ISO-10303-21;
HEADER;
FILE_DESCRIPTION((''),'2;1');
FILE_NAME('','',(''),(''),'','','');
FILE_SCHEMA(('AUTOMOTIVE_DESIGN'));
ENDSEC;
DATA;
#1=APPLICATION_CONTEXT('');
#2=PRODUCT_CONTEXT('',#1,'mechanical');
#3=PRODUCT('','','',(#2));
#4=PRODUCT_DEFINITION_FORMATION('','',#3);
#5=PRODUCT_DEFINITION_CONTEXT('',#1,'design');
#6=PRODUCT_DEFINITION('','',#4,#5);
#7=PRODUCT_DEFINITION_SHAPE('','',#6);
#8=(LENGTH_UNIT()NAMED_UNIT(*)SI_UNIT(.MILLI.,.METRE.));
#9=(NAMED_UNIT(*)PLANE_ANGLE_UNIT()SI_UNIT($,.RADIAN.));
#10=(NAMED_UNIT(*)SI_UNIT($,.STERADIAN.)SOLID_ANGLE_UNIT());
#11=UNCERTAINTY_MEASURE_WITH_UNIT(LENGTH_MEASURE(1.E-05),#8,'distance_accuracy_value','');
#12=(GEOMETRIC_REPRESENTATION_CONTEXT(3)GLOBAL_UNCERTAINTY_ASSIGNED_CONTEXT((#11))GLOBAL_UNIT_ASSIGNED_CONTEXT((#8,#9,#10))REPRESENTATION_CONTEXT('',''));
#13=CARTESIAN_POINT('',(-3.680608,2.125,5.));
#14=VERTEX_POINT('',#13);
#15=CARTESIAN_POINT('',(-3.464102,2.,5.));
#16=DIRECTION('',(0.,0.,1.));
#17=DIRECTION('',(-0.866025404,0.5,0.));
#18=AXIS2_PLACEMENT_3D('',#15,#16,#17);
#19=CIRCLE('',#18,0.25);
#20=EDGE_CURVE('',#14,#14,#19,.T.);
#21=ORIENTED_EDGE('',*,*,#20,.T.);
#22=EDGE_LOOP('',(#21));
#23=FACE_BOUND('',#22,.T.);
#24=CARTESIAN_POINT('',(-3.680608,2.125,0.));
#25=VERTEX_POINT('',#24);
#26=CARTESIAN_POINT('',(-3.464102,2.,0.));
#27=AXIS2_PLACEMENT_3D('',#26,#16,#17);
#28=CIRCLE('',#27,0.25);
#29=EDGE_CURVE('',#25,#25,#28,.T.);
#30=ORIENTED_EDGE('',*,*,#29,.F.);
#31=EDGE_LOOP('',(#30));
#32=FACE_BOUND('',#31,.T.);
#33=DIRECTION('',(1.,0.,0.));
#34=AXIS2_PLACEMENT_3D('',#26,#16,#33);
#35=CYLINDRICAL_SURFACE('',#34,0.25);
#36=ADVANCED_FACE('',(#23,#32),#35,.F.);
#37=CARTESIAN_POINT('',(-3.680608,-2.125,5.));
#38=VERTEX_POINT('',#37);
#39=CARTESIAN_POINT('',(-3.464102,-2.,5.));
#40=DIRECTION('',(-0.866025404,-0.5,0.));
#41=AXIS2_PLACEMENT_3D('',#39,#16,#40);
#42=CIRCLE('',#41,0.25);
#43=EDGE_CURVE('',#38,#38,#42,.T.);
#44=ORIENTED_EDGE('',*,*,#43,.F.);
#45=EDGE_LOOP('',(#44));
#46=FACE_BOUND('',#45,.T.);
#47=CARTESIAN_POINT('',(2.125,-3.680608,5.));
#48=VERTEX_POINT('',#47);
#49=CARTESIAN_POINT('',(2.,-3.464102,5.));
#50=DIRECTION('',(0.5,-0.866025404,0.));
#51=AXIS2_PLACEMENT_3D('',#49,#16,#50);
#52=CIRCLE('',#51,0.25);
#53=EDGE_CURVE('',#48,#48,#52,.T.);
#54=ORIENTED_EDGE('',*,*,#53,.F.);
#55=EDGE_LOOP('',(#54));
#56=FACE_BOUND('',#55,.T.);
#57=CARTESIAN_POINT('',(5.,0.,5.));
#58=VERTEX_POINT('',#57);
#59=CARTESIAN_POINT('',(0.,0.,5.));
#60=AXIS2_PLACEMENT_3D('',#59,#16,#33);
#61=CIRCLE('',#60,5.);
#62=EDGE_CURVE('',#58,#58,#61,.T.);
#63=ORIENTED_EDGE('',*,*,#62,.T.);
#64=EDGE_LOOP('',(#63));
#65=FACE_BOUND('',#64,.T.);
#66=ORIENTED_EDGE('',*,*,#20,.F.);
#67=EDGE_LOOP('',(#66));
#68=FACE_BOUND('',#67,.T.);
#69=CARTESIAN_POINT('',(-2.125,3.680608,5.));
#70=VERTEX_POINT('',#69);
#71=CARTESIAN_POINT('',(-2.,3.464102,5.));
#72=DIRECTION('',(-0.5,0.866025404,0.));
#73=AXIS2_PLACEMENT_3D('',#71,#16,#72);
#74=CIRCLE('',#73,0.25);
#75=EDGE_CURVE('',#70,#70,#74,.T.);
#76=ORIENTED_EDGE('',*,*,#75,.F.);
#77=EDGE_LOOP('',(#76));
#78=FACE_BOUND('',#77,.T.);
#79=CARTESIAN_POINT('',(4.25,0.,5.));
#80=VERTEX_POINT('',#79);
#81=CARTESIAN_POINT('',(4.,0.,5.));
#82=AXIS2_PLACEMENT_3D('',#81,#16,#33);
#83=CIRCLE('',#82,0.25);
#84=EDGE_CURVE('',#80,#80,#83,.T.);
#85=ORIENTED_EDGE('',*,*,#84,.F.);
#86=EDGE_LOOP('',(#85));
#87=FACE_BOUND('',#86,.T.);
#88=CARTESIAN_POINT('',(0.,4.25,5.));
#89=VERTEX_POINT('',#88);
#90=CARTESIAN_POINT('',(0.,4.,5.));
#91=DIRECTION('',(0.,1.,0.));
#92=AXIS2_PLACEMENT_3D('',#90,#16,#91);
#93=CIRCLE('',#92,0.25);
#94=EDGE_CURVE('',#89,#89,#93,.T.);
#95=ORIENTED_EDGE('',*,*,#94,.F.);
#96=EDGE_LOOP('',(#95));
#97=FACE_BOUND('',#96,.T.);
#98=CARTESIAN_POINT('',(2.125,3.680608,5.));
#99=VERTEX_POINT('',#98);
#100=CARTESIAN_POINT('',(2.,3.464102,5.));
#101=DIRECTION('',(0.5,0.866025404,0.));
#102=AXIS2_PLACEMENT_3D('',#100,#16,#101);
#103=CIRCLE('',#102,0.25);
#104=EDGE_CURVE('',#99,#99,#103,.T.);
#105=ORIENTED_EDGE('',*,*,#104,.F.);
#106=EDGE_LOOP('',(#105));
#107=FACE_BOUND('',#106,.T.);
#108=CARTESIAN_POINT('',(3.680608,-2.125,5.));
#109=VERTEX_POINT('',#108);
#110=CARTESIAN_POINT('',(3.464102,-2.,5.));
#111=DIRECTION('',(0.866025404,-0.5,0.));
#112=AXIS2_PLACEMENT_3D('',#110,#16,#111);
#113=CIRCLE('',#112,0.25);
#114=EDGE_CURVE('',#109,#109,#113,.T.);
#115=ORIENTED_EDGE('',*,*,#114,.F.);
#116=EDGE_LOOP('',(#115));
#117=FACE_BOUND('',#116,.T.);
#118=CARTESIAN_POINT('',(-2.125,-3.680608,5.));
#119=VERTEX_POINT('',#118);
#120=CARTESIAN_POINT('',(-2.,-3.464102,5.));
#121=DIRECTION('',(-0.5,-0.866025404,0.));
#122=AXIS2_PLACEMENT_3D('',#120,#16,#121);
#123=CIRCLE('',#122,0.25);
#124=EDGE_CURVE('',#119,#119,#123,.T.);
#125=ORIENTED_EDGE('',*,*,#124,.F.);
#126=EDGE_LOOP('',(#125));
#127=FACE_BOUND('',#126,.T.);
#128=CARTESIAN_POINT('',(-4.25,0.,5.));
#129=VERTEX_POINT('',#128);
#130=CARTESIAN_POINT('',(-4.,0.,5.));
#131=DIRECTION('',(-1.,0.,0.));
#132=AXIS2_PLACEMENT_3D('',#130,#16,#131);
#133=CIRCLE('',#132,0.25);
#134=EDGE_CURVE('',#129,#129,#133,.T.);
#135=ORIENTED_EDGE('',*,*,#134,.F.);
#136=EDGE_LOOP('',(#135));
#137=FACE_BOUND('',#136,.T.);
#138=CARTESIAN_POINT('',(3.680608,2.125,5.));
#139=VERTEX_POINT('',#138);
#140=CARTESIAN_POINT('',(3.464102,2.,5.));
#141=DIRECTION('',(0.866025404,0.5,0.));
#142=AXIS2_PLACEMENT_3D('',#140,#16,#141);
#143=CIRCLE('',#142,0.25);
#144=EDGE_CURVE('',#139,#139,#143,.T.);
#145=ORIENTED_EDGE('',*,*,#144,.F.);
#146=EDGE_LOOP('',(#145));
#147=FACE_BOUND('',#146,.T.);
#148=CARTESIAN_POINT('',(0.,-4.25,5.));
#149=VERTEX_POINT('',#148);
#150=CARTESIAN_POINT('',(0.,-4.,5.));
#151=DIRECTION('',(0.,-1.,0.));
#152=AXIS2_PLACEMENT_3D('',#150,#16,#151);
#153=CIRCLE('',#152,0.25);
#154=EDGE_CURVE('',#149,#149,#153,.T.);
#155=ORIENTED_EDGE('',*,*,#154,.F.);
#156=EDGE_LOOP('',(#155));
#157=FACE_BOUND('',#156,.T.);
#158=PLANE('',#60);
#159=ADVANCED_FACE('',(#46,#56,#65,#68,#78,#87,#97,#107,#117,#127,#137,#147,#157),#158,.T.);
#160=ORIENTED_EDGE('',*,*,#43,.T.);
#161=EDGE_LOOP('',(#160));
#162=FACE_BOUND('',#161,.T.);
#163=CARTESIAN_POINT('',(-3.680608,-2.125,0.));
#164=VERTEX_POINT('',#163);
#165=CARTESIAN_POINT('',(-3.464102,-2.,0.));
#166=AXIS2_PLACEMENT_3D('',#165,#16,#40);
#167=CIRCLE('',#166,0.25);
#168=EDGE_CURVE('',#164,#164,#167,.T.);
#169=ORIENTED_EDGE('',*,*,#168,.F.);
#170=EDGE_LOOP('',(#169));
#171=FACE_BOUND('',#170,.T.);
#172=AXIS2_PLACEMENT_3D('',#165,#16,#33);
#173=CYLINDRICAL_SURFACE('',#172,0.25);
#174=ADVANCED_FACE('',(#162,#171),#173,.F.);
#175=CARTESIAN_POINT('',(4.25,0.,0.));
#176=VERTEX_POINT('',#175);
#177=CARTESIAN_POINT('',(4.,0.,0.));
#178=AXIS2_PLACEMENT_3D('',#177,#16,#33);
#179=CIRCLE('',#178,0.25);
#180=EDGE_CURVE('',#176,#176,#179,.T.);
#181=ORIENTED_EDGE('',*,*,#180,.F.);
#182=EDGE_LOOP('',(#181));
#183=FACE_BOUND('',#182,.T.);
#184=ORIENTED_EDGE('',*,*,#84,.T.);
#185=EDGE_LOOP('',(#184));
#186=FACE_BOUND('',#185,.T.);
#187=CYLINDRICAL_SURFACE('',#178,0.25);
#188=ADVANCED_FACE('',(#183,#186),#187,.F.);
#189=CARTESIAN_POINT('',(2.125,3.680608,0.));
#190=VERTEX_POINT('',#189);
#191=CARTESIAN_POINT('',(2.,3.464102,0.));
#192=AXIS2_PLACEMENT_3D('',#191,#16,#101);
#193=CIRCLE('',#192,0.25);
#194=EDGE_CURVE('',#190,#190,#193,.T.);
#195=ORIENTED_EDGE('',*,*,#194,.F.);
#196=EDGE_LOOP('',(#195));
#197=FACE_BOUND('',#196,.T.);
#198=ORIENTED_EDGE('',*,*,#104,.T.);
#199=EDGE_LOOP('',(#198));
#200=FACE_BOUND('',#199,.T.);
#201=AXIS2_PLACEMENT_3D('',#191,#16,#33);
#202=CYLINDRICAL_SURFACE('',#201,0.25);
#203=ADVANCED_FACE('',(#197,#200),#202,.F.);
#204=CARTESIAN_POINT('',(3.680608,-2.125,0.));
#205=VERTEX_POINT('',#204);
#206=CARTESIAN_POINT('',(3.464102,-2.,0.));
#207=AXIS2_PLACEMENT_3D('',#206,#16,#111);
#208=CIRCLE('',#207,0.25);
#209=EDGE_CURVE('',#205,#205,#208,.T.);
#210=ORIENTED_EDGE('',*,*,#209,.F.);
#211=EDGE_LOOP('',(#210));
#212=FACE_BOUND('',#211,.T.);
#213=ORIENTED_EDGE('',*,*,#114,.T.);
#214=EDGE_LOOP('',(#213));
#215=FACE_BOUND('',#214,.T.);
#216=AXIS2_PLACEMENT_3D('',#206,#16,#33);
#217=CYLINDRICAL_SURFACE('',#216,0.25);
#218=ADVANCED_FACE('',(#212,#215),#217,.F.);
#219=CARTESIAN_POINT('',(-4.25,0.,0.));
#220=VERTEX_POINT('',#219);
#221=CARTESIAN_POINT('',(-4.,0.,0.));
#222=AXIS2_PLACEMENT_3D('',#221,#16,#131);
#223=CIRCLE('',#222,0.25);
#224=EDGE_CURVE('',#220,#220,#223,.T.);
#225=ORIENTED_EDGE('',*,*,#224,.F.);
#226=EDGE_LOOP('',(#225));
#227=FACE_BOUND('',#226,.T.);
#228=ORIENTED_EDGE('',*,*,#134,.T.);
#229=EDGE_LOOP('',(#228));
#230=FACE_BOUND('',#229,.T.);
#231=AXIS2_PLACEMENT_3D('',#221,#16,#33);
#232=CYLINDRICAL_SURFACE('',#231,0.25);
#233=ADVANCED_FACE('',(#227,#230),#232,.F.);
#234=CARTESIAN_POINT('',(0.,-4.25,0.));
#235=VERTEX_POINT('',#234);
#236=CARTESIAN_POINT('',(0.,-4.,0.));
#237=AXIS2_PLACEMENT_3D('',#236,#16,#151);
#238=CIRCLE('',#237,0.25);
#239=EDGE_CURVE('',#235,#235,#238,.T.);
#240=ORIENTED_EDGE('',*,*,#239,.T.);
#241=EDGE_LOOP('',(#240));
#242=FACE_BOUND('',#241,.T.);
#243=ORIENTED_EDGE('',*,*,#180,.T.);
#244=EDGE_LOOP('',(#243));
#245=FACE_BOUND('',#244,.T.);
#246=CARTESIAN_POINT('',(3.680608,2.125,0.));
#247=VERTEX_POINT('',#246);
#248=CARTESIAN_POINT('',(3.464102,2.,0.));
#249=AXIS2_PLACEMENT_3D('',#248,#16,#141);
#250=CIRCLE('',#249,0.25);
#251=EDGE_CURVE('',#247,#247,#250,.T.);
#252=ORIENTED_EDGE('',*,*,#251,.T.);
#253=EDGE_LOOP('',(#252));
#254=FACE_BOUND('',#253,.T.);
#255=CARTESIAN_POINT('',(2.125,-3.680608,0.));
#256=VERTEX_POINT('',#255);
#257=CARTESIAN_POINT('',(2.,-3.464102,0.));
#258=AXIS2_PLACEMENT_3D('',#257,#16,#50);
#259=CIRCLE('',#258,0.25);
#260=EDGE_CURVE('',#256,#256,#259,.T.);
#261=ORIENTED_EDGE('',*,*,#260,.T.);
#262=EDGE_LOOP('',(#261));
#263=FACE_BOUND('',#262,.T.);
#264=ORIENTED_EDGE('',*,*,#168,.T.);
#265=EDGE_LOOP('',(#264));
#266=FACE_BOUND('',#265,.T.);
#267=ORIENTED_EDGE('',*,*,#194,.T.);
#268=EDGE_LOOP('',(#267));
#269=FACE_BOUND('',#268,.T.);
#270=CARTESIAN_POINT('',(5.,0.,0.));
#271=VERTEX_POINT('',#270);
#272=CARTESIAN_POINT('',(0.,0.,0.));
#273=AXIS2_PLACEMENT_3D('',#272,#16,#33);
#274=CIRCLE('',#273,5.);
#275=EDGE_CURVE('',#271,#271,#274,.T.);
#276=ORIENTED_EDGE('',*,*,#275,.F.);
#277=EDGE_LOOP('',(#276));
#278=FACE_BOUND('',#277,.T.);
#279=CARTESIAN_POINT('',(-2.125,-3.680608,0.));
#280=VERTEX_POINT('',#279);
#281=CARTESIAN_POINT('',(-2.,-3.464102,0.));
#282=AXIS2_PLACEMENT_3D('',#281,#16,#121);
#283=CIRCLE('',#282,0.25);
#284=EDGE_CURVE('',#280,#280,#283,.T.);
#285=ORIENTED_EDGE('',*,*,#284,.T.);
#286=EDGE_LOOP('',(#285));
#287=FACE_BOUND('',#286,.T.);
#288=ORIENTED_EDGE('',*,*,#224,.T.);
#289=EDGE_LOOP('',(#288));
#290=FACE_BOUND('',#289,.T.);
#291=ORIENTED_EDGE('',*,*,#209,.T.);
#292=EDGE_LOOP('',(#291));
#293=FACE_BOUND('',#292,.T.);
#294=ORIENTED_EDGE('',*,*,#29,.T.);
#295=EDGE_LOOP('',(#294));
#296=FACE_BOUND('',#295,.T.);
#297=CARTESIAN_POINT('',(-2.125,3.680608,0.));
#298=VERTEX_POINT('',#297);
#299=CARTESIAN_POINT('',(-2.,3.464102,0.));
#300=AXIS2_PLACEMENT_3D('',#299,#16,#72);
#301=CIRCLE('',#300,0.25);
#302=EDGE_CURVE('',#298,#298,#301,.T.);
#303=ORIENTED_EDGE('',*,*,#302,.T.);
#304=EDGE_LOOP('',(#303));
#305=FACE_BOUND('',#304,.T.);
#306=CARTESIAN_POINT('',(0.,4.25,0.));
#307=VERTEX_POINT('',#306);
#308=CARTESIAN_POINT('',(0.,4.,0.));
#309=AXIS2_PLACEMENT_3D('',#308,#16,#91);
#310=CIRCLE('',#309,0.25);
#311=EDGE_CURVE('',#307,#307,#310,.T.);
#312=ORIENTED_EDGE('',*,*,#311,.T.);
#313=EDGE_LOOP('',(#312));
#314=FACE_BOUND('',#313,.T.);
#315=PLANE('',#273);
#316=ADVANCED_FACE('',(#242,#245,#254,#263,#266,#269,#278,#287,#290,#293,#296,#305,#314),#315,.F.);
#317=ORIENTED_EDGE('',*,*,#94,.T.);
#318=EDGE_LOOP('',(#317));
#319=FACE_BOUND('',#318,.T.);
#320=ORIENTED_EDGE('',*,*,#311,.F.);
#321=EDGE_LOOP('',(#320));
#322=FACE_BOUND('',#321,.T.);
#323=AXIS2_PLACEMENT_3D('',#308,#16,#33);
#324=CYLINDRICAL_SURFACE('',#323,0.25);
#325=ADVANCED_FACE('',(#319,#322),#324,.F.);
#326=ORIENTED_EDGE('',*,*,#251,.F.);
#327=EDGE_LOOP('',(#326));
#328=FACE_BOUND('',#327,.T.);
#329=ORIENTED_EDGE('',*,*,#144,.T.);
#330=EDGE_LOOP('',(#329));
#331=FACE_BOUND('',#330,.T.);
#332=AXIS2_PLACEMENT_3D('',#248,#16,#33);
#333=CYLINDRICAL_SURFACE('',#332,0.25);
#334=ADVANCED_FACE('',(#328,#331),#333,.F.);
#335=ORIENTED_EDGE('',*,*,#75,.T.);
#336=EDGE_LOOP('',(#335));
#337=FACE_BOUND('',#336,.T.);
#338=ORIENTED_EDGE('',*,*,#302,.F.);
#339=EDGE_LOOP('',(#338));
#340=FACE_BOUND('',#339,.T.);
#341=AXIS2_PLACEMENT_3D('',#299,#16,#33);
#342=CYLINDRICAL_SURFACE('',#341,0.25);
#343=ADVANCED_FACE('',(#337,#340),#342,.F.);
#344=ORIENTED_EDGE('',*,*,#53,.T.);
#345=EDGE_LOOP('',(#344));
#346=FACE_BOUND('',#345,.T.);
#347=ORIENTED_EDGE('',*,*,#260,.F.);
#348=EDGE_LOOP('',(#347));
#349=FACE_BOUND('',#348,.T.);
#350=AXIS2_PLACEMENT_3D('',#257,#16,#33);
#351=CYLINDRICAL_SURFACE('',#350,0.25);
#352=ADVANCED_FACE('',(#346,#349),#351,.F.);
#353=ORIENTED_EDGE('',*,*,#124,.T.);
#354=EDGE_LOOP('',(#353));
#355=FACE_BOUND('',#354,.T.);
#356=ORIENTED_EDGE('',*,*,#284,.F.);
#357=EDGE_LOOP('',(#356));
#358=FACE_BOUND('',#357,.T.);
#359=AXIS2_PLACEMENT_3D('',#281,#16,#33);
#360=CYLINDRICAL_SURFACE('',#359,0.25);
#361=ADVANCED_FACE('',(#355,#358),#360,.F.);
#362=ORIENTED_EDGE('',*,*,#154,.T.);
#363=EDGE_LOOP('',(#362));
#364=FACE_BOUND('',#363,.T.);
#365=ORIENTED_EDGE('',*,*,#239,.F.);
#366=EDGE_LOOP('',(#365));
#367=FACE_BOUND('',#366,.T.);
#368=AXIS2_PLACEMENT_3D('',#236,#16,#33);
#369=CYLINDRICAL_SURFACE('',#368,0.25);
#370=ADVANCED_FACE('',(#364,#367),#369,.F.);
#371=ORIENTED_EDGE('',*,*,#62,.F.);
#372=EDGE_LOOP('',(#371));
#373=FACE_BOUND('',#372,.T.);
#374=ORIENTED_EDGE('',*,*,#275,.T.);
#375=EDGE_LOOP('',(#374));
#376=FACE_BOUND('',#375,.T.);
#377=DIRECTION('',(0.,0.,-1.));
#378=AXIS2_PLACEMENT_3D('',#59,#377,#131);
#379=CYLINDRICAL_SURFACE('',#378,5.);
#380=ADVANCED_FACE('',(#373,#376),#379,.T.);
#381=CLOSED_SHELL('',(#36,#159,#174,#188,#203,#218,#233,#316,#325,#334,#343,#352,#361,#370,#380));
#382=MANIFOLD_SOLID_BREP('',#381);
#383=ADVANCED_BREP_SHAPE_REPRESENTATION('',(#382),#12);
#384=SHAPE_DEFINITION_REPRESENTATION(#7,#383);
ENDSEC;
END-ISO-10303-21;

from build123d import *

# Parameters (mm, degrees)
SKETCH1_R           = 5
BOSS_EXTRUDE1_DEPTH = 5
SKETCH2_R           = 0.25
CUT_EXTRUDE1_DEPTH  = 6
CIRPATTERN1_COUNT   = 12


with BuildPart() as part:
    # Sketch1 → Boss-Extrude1 (new body)
    with BuildSketch(Plane.XY):
        Circle(SKETCH1_R)
    extrude(amount=BOSS_EXTRUDE1_DEPTH)

    # Sketch2 → Cut-Extrude1 (cut, through all)
    with BuildSketch(Plane.XY.offset(5)):
        with Locations((4, 0)):
            Circle(SKETCH2_R)
    cut_extrude1 = extrude(amount=-CUT_EXTRUDE1_DEPTH, mode=Mode.SUBTRACT)

    # CirPattern1: Cut-Extrude1 ×12 about axis
    cirpattern1_axis = Axis((0, 0, 0), (0, 0, 1))
    for i in range(1, CIRPATTERN1_COUNT):
        add(cut_extrude1.rotate(cirpattern1_axis, i * 360 / CIRPATTERN1_COUNT), mode=Mode.SUBTRACT)


solid = part.part
